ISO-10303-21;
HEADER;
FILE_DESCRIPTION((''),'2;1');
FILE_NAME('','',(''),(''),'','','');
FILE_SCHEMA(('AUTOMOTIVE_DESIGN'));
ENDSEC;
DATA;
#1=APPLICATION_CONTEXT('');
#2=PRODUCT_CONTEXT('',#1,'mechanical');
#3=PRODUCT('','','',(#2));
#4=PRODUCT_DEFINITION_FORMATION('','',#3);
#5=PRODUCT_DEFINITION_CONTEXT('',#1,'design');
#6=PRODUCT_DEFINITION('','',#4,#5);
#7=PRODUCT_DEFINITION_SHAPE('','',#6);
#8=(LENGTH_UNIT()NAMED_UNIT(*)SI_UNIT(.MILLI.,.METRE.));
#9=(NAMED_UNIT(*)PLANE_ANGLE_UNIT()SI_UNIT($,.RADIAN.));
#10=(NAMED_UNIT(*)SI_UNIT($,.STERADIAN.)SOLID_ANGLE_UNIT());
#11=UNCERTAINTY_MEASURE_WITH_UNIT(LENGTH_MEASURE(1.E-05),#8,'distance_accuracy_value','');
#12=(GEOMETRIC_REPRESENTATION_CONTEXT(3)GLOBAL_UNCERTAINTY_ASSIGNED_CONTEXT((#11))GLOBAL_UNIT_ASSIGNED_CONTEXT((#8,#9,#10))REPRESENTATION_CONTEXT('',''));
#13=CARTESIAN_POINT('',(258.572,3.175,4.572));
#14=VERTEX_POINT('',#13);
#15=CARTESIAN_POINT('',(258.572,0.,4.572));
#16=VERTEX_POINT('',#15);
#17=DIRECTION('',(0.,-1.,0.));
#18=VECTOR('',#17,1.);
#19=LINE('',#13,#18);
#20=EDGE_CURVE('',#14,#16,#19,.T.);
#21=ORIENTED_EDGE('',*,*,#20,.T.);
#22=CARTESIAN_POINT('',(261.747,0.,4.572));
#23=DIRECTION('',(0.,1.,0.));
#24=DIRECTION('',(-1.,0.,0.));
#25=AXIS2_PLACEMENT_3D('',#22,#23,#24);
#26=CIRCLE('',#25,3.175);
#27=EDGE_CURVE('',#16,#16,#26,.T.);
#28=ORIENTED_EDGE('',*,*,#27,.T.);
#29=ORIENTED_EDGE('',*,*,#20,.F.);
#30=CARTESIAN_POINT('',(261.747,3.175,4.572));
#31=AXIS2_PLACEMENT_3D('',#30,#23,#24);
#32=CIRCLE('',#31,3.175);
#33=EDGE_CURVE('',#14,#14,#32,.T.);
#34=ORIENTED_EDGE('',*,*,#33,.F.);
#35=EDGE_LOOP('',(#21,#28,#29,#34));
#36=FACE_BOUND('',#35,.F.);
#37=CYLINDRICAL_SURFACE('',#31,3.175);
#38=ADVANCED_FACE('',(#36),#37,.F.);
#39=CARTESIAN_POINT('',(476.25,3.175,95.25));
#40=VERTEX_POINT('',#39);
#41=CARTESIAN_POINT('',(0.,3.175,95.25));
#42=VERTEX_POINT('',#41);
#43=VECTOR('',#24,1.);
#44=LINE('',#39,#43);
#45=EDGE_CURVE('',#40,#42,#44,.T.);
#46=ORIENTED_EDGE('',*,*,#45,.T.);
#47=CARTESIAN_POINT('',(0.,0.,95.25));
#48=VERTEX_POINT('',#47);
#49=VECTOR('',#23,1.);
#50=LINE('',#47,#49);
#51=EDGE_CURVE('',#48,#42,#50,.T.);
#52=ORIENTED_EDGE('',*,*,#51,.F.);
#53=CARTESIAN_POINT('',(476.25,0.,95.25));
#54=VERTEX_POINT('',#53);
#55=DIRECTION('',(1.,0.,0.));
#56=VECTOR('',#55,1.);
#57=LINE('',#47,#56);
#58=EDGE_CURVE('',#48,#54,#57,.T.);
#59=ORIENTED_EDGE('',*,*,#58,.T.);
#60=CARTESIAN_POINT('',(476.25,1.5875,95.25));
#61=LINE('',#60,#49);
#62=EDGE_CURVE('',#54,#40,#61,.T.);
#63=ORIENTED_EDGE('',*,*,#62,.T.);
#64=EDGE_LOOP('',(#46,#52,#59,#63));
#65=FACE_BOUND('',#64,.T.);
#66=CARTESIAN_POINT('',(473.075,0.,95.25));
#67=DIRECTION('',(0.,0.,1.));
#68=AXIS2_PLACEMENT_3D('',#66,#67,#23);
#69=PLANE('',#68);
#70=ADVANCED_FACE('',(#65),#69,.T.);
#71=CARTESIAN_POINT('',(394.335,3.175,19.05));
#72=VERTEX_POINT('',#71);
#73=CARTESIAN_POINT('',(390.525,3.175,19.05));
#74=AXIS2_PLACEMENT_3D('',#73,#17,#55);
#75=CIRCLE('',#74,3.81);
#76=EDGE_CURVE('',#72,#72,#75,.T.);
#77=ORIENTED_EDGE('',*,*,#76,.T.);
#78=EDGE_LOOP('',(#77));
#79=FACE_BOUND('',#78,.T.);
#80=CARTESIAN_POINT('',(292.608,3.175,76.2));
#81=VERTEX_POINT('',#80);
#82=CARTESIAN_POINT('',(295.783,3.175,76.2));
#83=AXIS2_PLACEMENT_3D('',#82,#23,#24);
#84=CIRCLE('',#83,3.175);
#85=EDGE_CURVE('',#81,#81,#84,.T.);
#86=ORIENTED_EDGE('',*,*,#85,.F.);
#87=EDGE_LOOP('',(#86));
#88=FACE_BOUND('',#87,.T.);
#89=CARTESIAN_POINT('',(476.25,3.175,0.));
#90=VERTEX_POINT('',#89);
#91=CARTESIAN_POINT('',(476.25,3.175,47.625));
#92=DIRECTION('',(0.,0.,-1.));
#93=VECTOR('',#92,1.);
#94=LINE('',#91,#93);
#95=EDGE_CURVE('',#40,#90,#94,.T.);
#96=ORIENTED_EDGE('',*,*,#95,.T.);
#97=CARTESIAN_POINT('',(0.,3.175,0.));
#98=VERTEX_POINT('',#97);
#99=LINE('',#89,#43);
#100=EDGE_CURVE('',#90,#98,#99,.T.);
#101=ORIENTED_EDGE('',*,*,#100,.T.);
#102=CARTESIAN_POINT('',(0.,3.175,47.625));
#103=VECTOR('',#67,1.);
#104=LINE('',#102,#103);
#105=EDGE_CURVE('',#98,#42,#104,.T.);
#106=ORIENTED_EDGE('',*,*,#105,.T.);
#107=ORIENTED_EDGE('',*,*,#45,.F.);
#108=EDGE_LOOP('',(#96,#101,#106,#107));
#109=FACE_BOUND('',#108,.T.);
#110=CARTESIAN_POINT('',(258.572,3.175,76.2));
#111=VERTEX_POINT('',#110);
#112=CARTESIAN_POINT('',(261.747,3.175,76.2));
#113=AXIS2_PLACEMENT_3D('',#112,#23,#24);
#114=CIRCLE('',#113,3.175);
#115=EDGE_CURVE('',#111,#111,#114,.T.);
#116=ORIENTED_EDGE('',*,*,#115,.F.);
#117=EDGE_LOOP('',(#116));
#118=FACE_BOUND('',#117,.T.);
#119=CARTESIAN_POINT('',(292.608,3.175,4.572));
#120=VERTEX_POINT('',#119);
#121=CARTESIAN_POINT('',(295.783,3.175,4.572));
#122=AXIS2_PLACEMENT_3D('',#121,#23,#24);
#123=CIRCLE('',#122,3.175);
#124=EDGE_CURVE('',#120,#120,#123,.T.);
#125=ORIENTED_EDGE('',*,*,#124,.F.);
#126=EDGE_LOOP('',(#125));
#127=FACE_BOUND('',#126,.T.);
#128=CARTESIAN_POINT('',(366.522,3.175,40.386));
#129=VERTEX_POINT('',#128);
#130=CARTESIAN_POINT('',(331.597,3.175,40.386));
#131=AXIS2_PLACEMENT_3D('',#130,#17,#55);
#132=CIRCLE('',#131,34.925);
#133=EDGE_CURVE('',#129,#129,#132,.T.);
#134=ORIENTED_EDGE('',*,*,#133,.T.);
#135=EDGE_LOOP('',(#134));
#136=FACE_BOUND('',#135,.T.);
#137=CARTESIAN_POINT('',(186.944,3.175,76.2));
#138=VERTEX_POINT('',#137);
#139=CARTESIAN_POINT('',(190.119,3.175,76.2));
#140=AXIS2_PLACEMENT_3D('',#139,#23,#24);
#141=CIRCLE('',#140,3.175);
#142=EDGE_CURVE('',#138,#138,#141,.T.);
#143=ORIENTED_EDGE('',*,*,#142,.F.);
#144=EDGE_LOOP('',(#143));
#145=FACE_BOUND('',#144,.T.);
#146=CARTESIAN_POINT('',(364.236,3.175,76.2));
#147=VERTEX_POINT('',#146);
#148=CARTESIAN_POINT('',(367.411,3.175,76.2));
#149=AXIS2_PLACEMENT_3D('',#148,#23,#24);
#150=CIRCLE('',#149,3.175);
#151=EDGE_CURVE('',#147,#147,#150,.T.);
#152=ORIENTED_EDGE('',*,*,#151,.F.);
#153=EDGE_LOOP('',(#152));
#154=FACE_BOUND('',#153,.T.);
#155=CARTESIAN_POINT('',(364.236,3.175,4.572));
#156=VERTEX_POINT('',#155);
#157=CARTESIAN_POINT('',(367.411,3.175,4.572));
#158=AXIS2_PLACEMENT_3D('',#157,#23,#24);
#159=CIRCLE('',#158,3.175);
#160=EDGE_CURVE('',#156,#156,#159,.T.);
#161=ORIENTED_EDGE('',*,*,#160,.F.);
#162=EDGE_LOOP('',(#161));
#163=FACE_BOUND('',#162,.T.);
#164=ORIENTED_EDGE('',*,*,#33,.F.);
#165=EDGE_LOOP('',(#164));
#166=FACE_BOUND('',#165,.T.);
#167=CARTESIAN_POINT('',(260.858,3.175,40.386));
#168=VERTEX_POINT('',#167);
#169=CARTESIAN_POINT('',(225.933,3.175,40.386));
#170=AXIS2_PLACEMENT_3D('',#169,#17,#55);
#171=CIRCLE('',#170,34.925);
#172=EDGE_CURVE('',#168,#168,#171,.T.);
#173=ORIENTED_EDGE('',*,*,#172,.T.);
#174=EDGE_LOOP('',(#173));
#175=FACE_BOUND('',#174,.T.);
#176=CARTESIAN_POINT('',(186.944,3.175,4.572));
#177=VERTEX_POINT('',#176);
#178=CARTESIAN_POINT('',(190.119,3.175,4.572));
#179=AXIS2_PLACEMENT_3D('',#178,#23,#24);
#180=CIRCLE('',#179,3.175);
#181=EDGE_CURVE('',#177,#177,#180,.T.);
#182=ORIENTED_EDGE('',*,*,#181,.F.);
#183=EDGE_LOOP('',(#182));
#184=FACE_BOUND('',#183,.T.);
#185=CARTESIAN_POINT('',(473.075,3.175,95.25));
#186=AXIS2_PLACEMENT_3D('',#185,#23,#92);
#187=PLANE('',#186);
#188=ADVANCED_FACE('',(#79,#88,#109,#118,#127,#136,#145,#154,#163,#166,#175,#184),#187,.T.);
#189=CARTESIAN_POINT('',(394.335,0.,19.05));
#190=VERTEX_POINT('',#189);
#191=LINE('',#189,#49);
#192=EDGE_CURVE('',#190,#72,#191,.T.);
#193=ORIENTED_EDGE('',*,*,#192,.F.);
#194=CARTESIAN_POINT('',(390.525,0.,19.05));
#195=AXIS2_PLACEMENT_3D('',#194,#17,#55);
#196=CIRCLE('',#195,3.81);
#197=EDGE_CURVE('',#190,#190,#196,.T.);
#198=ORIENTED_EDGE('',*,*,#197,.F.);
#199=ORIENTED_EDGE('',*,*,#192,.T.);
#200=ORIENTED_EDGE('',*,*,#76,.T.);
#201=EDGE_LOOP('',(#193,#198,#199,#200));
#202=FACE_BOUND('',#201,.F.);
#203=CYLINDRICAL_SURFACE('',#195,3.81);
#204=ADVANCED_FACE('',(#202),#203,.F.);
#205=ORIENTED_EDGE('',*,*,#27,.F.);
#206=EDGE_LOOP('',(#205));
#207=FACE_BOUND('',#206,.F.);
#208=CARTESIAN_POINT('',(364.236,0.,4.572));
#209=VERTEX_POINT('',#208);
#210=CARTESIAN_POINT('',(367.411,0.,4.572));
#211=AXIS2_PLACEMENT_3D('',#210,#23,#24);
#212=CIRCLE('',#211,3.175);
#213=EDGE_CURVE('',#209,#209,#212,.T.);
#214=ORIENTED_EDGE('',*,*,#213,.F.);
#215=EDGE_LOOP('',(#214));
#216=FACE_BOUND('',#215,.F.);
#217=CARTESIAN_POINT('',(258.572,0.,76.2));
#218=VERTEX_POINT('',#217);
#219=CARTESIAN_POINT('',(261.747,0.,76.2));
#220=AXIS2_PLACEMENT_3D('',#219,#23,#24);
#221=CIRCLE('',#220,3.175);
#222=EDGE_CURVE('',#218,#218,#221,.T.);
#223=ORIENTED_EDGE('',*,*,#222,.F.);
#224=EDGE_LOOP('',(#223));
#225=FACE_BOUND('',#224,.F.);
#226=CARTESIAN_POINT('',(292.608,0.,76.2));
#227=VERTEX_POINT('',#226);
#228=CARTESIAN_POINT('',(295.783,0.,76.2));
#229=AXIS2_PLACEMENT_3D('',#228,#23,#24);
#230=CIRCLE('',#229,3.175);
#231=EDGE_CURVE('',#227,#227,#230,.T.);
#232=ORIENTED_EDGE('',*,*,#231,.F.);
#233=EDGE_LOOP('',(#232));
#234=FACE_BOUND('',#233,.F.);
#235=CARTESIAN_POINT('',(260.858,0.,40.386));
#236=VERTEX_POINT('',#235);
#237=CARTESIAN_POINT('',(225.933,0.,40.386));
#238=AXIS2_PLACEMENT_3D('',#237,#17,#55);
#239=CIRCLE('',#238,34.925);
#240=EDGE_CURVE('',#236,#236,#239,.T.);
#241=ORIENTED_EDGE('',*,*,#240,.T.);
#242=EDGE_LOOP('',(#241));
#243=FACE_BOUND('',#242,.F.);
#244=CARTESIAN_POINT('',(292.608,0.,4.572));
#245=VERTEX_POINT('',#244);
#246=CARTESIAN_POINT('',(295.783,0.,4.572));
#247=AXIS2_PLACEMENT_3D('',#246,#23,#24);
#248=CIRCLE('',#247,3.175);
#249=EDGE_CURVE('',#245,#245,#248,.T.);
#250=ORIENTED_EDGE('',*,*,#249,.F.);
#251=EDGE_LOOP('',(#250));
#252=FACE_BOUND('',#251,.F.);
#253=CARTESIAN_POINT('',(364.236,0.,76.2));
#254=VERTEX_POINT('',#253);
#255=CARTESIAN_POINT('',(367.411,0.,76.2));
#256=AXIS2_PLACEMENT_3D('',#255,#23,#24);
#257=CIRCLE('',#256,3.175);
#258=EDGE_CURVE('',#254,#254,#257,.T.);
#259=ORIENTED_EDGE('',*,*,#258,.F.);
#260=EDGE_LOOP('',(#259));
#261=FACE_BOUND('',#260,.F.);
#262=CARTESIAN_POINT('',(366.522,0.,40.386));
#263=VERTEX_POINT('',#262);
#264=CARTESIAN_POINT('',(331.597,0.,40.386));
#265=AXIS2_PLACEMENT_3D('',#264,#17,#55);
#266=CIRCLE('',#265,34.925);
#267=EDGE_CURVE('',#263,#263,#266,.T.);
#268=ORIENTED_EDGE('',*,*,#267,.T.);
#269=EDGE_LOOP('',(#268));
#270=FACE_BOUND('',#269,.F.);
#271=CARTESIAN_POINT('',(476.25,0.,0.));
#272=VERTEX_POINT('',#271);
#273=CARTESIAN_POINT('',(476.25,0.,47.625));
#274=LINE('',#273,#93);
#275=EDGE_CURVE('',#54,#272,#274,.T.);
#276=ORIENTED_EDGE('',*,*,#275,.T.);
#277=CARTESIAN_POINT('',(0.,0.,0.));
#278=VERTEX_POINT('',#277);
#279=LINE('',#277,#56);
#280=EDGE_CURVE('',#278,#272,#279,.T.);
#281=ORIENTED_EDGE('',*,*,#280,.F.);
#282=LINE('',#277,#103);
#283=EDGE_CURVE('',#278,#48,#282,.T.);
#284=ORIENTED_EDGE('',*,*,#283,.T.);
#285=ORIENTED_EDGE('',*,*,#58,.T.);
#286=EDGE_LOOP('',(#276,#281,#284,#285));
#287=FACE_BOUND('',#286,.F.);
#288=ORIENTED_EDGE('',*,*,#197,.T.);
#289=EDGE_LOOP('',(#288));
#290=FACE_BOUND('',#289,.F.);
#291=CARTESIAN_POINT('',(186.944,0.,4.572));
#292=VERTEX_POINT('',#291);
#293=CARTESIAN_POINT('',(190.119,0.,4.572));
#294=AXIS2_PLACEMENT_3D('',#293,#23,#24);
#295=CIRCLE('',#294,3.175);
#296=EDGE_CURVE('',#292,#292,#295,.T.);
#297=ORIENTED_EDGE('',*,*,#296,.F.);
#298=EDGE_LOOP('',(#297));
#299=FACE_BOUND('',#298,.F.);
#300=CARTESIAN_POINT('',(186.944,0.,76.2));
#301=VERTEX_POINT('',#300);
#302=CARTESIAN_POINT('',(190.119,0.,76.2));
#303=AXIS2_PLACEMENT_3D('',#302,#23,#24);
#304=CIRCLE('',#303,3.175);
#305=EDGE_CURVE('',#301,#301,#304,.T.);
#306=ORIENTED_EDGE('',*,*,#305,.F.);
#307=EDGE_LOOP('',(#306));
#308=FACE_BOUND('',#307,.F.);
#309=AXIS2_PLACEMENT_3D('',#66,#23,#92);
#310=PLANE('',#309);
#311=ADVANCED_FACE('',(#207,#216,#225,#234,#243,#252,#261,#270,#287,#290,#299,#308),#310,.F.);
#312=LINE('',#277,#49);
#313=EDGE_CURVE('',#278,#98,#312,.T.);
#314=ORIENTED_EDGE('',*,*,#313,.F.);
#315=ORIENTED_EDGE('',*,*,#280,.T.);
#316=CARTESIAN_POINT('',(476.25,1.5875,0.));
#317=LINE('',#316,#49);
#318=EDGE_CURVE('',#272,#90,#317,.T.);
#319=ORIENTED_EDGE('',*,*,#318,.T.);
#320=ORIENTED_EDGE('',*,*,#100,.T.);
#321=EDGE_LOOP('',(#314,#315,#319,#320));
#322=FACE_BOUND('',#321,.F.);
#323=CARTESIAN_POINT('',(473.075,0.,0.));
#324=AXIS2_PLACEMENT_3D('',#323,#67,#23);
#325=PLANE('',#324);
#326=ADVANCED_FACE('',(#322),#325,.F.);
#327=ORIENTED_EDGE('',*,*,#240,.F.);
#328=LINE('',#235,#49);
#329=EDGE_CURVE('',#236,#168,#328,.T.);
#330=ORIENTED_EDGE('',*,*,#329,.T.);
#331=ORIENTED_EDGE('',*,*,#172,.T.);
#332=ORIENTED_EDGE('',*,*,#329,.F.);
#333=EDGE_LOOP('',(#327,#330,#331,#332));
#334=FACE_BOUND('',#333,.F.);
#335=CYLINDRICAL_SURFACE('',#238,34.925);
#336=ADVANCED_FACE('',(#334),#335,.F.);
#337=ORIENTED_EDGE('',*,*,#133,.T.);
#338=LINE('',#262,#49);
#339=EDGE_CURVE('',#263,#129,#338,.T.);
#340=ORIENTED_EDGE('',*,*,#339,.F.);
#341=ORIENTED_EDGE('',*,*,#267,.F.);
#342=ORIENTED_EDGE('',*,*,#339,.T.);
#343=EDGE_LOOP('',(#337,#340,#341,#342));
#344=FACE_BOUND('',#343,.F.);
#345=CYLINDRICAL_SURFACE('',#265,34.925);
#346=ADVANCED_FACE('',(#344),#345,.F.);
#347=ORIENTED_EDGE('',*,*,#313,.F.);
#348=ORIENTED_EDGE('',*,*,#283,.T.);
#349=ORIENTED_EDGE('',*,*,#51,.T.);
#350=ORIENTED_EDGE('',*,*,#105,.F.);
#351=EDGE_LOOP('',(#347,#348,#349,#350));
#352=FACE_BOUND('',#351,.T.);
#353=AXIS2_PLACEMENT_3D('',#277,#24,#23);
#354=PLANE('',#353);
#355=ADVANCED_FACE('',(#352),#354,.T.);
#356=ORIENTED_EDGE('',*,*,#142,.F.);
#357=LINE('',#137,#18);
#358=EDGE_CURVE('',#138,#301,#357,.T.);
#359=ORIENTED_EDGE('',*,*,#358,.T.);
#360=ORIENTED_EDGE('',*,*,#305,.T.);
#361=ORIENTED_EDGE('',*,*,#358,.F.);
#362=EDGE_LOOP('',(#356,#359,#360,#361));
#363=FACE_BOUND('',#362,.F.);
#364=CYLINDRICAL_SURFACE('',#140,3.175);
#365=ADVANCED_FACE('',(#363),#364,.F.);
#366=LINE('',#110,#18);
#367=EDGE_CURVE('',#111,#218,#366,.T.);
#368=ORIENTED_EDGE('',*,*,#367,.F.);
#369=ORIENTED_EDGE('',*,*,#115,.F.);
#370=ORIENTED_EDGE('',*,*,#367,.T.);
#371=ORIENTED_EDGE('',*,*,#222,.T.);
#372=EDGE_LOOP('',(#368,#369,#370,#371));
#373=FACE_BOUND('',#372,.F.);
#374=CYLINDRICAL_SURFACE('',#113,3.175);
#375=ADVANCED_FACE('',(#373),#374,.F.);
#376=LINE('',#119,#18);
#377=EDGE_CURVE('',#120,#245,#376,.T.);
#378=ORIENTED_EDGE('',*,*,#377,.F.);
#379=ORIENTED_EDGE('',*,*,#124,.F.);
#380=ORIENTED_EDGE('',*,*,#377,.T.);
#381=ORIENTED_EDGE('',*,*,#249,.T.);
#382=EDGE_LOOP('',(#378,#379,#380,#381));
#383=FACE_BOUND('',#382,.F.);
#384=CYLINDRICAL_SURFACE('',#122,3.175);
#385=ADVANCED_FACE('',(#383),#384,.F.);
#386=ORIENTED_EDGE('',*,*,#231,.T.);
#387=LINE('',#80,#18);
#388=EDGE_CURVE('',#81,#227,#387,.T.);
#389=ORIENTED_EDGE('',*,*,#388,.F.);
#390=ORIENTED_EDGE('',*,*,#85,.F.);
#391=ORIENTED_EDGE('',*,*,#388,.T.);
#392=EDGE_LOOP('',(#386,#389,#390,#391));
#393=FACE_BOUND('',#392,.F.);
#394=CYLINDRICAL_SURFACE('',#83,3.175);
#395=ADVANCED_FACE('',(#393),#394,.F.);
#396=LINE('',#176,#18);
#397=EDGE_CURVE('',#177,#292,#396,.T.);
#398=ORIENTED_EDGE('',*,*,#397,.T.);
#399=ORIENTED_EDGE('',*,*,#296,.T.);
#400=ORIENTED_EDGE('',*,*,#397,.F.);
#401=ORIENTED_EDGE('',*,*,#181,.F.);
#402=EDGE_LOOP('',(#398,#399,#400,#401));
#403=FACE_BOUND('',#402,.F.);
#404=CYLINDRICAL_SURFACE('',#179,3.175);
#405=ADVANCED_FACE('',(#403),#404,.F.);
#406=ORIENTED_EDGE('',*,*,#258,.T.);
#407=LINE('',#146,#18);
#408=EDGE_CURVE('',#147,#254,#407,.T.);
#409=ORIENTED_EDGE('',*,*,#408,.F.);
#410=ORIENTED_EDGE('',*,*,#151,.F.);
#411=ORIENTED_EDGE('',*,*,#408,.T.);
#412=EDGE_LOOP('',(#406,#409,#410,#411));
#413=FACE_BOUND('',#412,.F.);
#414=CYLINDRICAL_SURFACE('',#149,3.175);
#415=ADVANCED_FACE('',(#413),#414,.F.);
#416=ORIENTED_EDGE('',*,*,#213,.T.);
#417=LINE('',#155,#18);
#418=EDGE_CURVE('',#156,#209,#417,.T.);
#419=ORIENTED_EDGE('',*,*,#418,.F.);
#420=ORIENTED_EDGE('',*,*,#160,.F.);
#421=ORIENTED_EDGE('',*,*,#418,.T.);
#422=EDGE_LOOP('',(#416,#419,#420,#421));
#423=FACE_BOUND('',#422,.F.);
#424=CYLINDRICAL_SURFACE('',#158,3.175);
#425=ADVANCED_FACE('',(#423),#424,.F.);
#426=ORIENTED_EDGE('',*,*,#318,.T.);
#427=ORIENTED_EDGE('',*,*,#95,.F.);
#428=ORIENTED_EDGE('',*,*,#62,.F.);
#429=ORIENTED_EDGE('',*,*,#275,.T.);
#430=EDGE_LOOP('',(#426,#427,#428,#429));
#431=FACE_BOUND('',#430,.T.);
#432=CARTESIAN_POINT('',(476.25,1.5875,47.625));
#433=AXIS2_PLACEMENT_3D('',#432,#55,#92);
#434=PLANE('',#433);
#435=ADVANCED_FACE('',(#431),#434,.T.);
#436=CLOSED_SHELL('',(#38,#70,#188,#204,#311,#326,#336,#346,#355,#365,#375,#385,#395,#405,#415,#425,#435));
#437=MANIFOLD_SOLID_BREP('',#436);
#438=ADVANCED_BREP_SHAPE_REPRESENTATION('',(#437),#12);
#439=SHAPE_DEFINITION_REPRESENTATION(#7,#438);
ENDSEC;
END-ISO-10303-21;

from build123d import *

# Parameters (mm, degrees)
BOSS_EXTRUDE1_DEPTH = 95.25
SKETCH2_R           = 3.175
CUT_EXTRUDE1_DEPTH  = 152.4
SKETCH4_R           = 34.925
SKETCH4_R_2         = 3.81
CUT_EXTRUDE2_DEPTH  = 381
SKETCH5_R           = 3.81
CUT_EXTRUDE3_DEPTH  = 12.7
SKETCH6_W           = 95.25
SKETCH6_H           = 377.825
CUT_EXTRUDE4_DEPTH  = 613.404745654
SKETCH7_W           = 95.25
SKETCH7_H           = 3.175
BOSS_EXTRUDE2_DEPTH = 3.175


with BuildPart() as part:
    # Sketch1 → Boss-Extrude1 (new body)
    with BuildSketch(Plane.XY):
        Polygon((0, 0), (0, 381), (3.175, 381), (3.175, 3.175), (473.075, 3.175), (473.075, 0), align=None)
    extrude(amount=BOSS_EXTRUDE1_DEPTH)

    # Sketch2 → Cut-Extrude1 (cut)
    with BuildSketch(Plane(origin=(0, 3.175, 0), x_dir=(1, 0, 0), z_dir=(0, 1, 0))):
        with Locations(Location((190.119, -4.572, 0), (0, 0, 180))):
            Circle(SKETCH2_R)
        with Locations(Location((190.119, -76.2, 0), (0, 0, 180))):
            Circle(SKETCH2_R)
        with Locations(Location((261.747, -4.572, 0), (0, 0, 180))):
            Circle(SKETCH2_R)
        with Locations(Location((261.747, -76.2, 0), (0, 0, 180))):
            Circle(SKETCH2_R)
        with Locations(Location((295.783, -76.2, 0), (0, 0, 180))):
            Circle(SKETCH2_R)
        with Locations(Location((295.783, -4.572, 0), (0, 0, 180))):
            Circle(SKETCH2_R)
        with Locations(Location((367.411, -76.2, 0), (0, 0, 180))):
            Circle(SKETCH2_R)
        with Locations(Location((367.411, -4.572, 0), (0, 0, 180))):
            Circle(SKETCH2_R)
    extrude(amount=-CUT_EXTRUDE1_DEPTH, mode=Mode.SUBTRACT)

    # Sketch4 → Cut-Extrude2 (cut)
    with BuildSketch(Plane.XZ):
        with Locations((225.933, 40.386)):
            Circle(SKETCH4_R)
        with Locations((331.597, 40.386)):
            Circle(SKETCH4_R)
        with Locations((390.525, 19.05)):
            Circle(SKETCH4_R_2)
    extrude(amount=-CUT_EXTRUDE2_DEPTH, mode=Mode.SUBTRACT)

    # Sketch5 → Cut-Extrude3 (cut)
    with BuildSketch(Plane.ZY):
        with Locations((19.05, 349.25)):
            Circle(SKETCH5_R)
    extrude(amount=-CUT_EXTRUDE3_DEPTH, mode=Mode.SUBTRACT)

    # Sketch6 → Cut-Extrude4 (cut, through all)
    with BuildSketch(Plane(origin=(3.175, 0, 0), x_dir=(0, 0, -1), z_dir=(1, 0, 0))):
        with Locations((-47.625, 192.0875)):
            Rectangle(SKETCH6_W, SKETCH6_H)
    extrude(amount=-CUT_EXTRUDE4_DEPTH, mode=Mode.SUBTRACT)

    # Sketch7 → Boss-Extrude2 (add)
    with BuildSketch(Plane(origin=(473.075, 0, 0), x_dir=(0, 0, -1), z_dir=(1, 0, 0))):
        with Locations((-47.625, 1.5875)):
            Rectangle(SKETCH7_W, SKETCH7_H)
    extrude(amount=BOSS_EXTRUDE2_DEPTH)


solid = part.part
